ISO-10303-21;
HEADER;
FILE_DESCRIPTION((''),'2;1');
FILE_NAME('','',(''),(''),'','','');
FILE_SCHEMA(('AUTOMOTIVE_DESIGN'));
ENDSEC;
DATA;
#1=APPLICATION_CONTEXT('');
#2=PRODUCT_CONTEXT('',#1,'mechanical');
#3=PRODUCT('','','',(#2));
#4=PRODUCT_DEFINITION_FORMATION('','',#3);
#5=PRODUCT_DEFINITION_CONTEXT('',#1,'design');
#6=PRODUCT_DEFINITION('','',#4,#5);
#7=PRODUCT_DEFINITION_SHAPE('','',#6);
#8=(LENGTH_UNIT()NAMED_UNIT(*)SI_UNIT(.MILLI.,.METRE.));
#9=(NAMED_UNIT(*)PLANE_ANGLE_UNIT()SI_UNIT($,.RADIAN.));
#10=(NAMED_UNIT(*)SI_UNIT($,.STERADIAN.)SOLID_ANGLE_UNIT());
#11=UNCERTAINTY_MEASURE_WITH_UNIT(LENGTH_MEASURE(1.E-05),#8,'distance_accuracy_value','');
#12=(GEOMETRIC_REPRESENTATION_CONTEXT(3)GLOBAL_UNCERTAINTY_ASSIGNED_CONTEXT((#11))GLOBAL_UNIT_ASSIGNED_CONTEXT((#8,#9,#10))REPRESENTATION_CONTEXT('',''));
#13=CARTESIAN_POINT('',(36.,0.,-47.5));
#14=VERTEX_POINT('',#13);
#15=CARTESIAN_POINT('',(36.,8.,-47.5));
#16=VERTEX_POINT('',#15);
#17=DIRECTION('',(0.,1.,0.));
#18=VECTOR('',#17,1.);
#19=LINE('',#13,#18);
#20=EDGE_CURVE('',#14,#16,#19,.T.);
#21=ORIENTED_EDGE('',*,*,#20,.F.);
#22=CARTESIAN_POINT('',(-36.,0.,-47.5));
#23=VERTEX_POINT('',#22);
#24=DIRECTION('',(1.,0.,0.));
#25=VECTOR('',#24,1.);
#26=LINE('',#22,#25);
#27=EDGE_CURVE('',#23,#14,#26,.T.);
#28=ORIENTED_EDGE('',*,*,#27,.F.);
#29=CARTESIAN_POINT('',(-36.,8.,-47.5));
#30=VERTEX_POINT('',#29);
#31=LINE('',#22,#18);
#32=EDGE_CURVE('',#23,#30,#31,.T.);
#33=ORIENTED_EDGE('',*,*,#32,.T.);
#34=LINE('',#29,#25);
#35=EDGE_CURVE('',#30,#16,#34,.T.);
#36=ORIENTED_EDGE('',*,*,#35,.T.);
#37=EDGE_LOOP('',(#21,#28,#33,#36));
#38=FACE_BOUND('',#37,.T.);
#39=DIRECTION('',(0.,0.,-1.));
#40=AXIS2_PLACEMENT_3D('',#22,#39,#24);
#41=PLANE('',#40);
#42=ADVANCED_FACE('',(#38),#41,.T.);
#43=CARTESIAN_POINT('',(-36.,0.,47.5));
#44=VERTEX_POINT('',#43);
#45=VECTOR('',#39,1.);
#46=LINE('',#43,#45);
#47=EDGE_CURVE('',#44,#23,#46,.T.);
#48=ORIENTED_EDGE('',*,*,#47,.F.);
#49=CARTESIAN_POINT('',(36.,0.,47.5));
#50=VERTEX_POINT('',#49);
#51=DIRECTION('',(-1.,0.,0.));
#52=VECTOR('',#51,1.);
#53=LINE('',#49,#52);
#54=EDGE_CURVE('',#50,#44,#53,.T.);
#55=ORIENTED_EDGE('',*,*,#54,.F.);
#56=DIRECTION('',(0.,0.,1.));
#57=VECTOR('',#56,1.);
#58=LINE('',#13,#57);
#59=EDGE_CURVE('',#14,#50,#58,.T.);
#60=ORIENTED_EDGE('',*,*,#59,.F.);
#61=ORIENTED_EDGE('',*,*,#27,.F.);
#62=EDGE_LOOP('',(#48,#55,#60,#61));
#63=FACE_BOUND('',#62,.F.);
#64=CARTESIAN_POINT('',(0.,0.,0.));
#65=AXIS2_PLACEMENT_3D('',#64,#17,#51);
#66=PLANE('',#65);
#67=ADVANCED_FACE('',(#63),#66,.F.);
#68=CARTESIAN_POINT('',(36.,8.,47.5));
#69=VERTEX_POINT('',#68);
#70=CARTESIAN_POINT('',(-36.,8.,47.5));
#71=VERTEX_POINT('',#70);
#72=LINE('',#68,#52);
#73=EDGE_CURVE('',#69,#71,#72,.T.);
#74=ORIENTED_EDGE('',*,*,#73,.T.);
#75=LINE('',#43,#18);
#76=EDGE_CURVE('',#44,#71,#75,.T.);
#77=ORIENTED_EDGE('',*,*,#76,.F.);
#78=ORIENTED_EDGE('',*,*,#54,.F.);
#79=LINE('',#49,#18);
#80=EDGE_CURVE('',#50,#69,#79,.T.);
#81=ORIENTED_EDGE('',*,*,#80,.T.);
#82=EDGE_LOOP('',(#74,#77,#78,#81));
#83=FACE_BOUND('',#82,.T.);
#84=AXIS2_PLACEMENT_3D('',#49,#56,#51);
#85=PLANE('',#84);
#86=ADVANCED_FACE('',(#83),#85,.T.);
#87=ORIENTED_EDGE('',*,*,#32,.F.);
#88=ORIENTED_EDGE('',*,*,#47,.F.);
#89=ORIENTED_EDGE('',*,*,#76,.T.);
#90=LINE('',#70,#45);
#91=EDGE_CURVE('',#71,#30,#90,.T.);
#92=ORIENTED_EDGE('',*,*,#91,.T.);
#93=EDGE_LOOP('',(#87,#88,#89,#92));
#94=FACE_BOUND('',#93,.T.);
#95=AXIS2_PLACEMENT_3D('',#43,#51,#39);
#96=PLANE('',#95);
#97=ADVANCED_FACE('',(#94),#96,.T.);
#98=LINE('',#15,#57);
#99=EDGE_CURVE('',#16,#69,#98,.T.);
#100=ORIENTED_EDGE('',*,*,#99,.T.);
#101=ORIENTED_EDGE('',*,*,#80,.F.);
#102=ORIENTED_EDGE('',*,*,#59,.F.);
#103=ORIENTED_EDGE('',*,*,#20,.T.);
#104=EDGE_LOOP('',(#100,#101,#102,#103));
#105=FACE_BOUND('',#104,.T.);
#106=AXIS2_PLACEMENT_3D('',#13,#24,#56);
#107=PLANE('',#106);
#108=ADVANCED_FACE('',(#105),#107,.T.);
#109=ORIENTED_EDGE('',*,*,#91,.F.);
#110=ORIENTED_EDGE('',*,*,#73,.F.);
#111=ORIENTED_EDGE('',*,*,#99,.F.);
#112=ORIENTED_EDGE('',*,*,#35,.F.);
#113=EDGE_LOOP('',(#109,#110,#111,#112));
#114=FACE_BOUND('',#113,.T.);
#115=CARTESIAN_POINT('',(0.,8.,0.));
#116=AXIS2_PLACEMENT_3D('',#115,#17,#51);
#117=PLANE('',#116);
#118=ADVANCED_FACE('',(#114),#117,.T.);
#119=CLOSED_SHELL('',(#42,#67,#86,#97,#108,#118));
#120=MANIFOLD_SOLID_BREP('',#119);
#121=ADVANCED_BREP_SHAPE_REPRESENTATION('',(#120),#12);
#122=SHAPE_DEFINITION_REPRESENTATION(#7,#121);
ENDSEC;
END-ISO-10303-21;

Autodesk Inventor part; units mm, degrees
ref_plane "YZ Plane" through (0, 0, 0) normal (1, 0, 0) x (0, 1, 0)
ref_plane "XZ Plane" through (0, 0, 0) normal (0, 1, 0) x (-1, 0, 0)
ref_plane "XY Plane" through (0, 0, 0) normal (0, 0, 1) x (1, 0, 0)
sketch "Sketch1" plane through (0, 0, 0) normal (0, 1, 0) x (-1, 0, 0)
  line L0 (-36, 47.5) -> (36, 47.5)
  line L1 (36, 47.5) -> (36, -47.5)
  line L2 (36, -47.5) -> (-36, -47.5)
  line L3 (-36, -47.5) -> (-36, 47.5)
  line L4 (-36, 47.5) -> (36, -47.5) construction
  line L5 (36, 47.5) -> (-36, -47.5) construction
  point P0 (0, 0)
  dimension "d0" = 72
  dimension "d1" = 95
extrude "Extrusion1" add sketch "Sketch1" along normal blind 8
properties part number "Flight controller"
